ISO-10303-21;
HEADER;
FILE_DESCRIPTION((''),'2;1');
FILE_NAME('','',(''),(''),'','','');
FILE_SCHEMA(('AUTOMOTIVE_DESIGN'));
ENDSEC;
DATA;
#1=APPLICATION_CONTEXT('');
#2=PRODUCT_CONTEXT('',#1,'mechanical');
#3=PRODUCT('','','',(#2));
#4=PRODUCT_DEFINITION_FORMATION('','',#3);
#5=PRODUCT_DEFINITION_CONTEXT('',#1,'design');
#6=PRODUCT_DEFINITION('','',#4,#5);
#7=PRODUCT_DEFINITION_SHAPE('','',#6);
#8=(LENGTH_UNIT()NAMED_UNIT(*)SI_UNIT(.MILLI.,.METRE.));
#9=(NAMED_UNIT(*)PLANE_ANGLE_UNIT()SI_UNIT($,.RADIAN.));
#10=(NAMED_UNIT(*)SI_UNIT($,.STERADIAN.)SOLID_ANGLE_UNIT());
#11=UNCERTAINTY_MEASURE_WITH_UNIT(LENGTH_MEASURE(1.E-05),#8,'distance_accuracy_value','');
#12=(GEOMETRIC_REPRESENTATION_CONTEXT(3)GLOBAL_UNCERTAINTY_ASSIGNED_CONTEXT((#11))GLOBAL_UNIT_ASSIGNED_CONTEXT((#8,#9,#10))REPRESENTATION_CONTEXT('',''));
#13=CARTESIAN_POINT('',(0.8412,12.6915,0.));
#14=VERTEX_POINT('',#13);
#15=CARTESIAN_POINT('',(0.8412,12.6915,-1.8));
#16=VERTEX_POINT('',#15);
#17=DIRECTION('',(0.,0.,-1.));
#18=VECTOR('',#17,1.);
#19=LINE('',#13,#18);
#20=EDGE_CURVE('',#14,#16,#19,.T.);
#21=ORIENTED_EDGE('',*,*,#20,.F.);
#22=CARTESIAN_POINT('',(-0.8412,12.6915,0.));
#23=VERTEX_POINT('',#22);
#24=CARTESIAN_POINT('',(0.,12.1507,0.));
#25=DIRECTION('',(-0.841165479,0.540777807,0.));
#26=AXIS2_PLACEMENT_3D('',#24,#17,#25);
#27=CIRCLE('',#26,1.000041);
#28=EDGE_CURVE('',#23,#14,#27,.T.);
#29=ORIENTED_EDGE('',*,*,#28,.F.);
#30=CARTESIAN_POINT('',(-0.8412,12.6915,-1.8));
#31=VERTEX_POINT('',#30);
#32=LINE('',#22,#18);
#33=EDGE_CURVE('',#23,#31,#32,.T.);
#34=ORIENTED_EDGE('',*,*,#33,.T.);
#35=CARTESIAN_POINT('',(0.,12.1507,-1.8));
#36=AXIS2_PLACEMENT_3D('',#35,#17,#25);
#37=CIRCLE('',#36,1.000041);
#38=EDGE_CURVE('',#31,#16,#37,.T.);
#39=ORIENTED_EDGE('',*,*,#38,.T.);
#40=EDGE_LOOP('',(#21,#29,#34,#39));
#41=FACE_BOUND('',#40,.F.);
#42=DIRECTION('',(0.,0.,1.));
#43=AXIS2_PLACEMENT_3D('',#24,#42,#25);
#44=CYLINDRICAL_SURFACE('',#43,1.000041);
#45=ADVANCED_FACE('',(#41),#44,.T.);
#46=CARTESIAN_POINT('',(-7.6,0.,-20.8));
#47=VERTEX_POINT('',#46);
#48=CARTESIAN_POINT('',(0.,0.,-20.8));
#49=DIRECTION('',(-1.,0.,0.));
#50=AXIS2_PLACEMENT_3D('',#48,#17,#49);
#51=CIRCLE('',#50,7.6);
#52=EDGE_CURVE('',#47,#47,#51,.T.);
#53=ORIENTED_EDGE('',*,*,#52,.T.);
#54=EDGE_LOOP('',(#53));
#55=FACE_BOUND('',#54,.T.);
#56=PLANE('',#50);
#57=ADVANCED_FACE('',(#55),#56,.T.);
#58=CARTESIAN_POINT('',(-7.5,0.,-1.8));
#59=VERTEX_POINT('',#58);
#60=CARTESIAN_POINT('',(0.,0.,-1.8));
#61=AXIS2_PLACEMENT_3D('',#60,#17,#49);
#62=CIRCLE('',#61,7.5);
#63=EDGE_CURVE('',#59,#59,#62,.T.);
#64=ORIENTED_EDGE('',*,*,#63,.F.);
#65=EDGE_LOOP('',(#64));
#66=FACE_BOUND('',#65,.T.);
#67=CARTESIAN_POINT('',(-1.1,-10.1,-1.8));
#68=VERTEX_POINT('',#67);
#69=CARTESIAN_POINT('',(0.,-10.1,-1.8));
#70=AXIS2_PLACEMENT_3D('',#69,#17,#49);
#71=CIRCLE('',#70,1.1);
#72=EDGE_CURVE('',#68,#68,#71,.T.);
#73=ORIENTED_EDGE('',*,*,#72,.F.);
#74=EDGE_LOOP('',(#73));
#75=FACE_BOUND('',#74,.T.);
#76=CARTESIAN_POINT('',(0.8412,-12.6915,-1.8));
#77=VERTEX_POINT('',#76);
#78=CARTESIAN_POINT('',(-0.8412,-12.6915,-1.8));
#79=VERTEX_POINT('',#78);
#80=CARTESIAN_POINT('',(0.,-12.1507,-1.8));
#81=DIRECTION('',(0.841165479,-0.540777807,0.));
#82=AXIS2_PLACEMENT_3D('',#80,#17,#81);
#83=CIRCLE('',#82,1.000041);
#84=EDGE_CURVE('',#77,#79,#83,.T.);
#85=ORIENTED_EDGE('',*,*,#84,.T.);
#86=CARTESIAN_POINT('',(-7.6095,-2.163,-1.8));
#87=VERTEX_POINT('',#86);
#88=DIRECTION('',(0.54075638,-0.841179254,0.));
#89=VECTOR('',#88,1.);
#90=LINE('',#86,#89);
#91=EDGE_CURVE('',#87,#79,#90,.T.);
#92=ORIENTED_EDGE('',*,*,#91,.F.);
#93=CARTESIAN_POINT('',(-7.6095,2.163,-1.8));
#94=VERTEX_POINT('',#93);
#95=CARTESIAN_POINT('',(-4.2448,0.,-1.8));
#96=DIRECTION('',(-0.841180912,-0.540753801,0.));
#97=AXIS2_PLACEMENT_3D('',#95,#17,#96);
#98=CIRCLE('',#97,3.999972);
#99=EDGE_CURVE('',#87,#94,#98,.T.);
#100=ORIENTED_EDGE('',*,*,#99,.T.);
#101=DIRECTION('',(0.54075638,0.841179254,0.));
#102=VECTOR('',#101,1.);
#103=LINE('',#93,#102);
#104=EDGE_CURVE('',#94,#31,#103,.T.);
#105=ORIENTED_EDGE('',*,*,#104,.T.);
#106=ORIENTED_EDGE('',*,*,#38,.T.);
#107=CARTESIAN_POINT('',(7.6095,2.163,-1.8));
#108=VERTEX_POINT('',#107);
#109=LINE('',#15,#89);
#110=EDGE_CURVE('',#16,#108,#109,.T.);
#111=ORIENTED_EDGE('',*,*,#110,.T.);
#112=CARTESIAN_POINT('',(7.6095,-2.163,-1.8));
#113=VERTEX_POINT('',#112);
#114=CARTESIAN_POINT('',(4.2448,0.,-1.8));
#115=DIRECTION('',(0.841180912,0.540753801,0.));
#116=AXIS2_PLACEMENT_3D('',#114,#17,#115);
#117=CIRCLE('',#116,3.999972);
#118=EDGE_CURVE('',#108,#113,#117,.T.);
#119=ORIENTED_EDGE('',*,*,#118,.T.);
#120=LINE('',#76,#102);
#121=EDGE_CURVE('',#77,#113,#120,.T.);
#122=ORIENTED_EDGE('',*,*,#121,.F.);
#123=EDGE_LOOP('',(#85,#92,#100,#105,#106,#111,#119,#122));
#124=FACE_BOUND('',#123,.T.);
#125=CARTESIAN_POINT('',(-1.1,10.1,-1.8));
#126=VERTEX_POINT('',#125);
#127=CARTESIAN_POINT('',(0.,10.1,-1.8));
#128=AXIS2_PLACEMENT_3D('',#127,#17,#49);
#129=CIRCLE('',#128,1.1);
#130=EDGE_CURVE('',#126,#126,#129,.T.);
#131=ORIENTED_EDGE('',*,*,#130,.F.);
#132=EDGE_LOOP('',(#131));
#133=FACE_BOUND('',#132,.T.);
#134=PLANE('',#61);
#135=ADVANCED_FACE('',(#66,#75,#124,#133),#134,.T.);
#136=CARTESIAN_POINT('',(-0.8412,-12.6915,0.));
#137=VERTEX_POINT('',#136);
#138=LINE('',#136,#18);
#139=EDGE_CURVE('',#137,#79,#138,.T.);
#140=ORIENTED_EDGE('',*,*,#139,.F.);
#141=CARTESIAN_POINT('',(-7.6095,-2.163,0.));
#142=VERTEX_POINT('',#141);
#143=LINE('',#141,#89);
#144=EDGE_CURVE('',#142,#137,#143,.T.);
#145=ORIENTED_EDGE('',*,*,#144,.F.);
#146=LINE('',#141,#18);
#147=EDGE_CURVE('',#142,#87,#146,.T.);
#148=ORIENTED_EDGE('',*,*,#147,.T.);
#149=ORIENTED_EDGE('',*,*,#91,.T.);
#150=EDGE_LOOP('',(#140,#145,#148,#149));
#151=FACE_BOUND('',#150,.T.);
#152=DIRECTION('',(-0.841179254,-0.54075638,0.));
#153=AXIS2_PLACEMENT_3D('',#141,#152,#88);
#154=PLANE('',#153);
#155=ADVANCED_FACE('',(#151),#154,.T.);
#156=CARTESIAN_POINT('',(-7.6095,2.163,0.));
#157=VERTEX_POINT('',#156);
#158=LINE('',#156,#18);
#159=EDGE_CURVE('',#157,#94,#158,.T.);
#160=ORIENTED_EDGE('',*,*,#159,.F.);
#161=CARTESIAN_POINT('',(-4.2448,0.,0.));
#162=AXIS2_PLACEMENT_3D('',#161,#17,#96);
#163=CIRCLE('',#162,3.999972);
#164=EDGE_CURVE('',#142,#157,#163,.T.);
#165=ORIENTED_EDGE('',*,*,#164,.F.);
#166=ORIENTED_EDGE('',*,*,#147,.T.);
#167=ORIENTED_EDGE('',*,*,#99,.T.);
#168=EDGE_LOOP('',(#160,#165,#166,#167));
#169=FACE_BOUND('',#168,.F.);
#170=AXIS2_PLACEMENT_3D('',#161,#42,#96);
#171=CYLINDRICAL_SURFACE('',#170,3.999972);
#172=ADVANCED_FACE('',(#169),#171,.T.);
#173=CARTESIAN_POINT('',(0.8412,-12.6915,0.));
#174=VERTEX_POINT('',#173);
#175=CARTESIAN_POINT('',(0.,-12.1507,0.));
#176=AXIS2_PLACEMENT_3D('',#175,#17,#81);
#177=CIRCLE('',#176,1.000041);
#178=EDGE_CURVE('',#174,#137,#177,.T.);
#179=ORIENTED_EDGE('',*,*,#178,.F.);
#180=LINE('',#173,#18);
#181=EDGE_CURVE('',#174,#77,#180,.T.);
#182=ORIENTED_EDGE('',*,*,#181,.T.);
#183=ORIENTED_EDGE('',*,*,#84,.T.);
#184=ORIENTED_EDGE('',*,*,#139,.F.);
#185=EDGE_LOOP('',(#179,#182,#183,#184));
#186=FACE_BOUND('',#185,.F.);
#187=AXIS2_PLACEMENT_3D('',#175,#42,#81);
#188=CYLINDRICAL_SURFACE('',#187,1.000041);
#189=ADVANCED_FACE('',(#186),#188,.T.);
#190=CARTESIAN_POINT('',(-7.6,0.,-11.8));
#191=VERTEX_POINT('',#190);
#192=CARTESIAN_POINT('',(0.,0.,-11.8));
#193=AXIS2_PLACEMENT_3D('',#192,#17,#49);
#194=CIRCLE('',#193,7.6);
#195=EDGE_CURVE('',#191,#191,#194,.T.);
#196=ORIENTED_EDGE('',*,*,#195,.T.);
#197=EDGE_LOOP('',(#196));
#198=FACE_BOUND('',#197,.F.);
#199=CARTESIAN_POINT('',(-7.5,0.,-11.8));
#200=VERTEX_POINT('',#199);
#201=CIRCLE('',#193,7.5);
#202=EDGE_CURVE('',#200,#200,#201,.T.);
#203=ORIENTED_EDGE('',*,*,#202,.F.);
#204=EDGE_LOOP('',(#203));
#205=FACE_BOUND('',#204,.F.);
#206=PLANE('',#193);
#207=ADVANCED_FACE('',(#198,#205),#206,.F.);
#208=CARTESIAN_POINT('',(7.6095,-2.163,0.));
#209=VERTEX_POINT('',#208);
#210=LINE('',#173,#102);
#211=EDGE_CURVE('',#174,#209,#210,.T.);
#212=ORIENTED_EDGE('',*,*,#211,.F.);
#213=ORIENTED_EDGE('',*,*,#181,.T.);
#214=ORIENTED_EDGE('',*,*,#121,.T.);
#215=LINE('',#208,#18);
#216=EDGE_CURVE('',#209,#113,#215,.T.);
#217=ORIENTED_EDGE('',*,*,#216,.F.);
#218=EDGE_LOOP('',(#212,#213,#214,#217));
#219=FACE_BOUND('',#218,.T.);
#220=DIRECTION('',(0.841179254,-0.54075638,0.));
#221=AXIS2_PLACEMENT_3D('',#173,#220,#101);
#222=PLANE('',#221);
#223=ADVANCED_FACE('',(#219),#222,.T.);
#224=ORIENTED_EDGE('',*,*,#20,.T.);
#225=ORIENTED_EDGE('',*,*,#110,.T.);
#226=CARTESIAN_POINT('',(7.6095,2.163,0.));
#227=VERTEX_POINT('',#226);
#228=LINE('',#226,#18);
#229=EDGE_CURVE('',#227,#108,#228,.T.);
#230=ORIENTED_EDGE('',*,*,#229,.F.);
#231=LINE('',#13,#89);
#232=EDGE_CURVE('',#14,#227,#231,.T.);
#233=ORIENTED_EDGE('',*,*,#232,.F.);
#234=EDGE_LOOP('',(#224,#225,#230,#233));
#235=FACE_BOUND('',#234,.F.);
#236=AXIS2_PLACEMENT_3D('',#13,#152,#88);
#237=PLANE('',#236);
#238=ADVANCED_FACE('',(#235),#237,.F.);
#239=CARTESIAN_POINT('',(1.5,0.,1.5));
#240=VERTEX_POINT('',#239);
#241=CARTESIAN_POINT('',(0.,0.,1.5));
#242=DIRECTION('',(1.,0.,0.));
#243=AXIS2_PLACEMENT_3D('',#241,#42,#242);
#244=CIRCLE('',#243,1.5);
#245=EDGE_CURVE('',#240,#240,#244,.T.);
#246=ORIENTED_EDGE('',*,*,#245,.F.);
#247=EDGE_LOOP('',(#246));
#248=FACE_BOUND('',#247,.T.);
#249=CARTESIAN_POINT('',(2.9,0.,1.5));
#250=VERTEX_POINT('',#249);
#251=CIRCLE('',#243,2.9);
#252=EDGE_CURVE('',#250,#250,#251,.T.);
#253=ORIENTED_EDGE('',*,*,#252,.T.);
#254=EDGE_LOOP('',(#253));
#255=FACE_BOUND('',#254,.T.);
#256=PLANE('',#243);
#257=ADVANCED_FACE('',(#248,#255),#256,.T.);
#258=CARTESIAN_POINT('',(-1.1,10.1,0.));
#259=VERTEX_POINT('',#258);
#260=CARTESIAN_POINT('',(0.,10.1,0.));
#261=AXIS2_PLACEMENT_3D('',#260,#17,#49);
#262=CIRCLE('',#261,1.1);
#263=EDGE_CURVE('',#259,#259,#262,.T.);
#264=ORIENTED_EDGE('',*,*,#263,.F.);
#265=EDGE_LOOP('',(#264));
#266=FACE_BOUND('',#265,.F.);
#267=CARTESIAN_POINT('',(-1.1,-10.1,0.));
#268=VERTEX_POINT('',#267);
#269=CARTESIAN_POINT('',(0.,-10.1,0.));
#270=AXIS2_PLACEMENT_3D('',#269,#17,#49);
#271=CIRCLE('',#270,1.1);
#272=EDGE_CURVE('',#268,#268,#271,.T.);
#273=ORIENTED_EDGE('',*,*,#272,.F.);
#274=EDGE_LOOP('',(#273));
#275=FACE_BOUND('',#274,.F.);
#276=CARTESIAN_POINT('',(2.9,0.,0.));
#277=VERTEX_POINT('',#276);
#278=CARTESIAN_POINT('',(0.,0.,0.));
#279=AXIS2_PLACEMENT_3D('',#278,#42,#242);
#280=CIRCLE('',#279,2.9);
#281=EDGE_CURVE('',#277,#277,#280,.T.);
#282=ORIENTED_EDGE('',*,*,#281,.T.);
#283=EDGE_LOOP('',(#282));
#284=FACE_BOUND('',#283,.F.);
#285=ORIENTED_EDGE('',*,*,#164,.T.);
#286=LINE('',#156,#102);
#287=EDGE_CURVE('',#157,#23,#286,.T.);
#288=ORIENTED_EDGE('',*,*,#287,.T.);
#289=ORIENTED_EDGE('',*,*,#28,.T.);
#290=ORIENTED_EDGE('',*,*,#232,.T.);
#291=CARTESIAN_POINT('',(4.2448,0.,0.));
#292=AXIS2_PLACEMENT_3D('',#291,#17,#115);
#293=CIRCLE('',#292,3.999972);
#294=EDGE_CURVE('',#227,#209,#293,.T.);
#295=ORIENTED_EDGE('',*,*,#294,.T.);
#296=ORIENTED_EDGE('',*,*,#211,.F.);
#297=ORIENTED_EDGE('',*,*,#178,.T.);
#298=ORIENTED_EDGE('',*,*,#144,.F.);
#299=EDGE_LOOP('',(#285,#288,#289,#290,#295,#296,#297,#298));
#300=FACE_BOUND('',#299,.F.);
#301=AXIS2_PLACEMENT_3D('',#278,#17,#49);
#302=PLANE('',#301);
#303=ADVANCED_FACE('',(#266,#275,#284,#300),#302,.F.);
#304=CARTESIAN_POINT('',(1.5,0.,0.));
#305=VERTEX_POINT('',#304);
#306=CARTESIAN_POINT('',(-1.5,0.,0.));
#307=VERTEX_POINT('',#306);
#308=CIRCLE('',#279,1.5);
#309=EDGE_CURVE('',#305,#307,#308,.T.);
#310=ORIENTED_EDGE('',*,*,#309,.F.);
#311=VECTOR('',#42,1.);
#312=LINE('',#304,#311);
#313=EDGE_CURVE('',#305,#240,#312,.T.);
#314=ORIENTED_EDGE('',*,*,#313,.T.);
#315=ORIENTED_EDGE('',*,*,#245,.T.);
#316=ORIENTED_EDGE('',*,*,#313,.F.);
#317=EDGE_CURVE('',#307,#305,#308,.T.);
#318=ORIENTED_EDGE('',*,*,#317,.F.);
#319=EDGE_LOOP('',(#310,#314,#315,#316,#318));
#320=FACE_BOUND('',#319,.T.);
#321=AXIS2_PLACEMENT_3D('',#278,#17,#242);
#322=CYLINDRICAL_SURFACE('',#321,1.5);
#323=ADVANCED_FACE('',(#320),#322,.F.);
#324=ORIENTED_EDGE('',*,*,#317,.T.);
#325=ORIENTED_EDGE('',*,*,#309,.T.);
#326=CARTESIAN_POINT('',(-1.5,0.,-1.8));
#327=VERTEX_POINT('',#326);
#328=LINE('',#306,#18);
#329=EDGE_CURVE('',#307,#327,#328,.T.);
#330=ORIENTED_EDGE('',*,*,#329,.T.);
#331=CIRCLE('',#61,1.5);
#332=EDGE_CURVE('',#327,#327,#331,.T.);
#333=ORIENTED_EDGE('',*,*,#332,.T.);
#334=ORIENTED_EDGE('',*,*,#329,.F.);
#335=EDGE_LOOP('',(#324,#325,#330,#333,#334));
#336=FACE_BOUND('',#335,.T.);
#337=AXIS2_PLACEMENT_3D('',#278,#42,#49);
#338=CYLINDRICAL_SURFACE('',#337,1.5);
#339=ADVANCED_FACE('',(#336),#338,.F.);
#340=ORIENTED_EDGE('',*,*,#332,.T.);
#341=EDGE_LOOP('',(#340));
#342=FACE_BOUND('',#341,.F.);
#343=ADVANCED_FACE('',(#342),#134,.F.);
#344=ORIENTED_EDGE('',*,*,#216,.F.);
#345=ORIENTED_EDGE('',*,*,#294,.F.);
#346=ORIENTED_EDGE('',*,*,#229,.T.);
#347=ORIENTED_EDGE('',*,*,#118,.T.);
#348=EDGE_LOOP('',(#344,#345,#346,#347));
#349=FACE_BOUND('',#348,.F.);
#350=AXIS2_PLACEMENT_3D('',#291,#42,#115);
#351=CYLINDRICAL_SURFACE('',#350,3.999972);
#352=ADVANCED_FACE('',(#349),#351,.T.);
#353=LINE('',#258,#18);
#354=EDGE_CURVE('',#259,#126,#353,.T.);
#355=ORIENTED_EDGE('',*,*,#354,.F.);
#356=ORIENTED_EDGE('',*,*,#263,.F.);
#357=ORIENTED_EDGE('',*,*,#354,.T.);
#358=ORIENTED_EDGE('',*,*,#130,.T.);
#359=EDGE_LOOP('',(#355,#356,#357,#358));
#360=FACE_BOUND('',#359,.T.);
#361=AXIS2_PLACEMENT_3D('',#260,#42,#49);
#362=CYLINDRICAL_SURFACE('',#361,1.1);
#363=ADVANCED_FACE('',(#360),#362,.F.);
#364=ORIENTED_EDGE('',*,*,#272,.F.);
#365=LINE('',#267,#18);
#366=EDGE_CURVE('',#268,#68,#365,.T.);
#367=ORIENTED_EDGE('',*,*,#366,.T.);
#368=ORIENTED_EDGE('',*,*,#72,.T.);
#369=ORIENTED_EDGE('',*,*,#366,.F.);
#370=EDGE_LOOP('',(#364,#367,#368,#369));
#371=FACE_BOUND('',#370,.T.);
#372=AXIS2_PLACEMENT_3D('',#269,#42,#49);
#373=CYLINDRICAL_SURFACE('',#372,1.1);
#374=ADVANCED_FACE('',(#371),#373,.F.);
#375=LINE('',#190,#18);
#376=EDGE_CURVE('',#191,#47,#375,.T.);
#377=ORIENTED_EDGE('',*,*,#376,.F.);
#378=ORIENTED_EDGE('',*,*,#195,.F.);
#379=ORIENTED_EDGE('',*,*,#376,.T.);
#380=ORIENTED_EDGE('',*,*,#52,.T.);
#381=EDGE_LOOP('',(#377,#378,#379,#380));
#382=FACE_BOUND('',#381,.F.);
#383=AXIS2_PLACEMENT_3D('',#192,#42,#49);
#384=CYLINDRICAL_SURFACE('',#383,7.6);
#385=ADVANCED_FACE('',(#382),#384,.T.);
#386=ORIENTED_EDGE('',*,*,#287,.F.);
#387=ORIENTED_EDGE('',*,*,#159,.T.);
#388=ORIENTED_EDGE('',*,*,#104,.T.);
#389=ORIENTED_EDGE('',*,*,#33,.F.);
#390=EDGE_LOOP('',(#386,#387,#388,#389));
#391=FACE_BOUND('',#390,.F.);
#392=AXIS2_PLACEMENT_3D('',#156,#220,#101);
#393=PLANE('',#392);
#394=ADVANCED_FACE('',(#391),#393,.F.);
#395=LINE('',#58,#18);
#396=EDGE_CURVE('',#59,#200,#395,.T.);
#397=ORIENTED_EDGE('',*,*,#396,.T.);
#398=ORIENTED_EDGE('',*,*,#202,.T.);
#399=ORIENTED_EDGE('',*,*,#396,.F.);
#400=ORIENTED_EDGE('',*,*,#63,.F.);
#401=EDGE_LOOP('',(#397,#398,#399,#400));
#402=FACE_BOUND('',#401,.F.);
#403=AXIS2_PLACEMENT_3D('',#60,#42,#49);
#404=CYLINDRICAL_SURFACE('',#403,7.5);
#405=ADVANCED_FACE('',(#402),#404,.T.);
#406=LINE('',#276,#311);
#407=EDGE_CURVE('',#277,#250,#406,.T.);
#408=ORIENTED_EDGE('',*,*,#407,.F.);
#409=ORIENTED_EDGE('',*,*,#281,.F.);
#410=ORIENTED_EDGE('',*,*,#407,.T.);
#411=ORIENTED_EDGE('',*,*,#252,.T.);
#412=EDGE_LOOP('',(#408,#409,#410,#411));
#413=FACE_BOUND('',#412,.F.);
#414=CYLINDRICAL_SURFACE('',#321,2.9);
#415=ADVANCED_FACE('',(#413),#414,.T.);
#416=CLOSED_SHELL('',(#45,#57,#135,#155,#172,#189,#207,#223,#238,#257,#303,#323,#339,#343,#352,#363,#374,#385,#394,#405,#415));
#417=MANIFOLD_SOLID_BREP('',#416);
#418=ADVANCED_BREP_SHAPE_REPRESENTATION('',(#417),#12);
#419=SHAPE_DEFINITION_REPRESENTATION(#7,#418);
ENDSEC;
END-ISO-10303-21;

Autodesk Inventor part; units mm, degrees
ref_plane "YZ Plane" through (0, 0, 0) normal (1, 0, 0) x (0, 1, 0)
ref_plane "XZ Plane" through (0, 0, 0) normal (0, 1, 0) x (-1, 0, 0)
ref_plane "XY Plane" through (0, 0, 0) normal (0, 0, 1) x (1, 0, 0)
sketch "스케치1" plane through (0, 0, 0) normal (0, 0, 1) x (1, 0, 0)
  circle A0 centre (0, 0) radius 1.5
  circle A1 centre (0, 0) radius 2.9
  dimension "d0" = 3
  dimension "d1" = 5.8
extrude "돌출1" add sketch "스케치1" along normal blind 1.5
sketch "스케치2" plane through (0, 0, 0) normal (0, 0, -1) x (-1, 0, 0)
  line L0 (7.6095, 2.163) -> (0.8412, 12.6915)
  line L1 (-0.8412, 12.6915) -> (-7.6095, 2.163)
  line L2 (7.6095, -2.163) -> (0.8412, -12.6915)
  line L3 (-0.8412, -12.6915) -> (-7.6095, -2.163)
  circle A0 centre (0, 10.1) radius 1.1
  circle A1 centre (0, -10.1) radius 1.1
  arc A2 (0.8412, 12.6915) -> (-0.8412, 12.6915) centre (0, 12.1507) ccw
  arc A3 (-0.8412, -12.6915) -> (0.8412, -12.6915) centre (0, -12.1507) ccw
  arc A4 (7.6095, -2.163) -> (7.6095, 2.163) centre (4.2448, 0) ccw
  arc A5 (-7.6095, 2.163) -> (-7.6095, -2.163) centre (-4.2448, 0) ccw
  circle A6 centre (0, 0) radius 1.5 projected
  dimension "d8" = 2.2
  dimension "d9" = 2.2
  dimension "d10" = 10.1
  dimension "d11" = 10.1
  dimension "d12" = 1
  dimension "d13" = 4
extrude "돌출2" add sketch "스케치2" along normal blind 1.8
sketch "스케치3" plane through (0, 0, -1.8) normal (0, 0, -1) x (-1, 0, 0)
  circle A0 centre (0, 0) radius 1.5 projected
  circle A1 centre (0, -10.1) radius 1.1 projected
  circle A2 centre (0, 10.1) radius 1.1 projected
  line L0 (-0.8412, 12.6915) -> (-7.6095, 2.163) projected
  arc A3 (-7.6095, 2.163) -> (-7.6095, -2.163) centre (-4.2448, 0) ccw projected
  line L1 (-7.6095, -2.163) -> (-0.8412, -12.6915) projected
  arc A4 (-0.8412, -12.6915) -> (0.8412, -12.6915) centre (0, -12.1507) ccw projected
  line L2 (0.8412, -12.6915) -> (7.6095, -2.163) projected
  arc A5 (7.6095, -2.163) -> (7.6095, 2.163) centre (4.2448, 0) ccw projected
  line L3 (7.6095, 2.163) -> (0.8412, 12.6915) projected
  arc A6 (0.8412, 12.6915) -> (-0.8412, 12.6915) centre (0, 12.1507) ccw projected
  circle A7 centre (0, 0) radius 1.5 projected
  circle A8 centre (0, 0) radius 7.5
  dimension "d16" = 15
extrude "돌출3" add sketch "스케치3" along normal blind 10 contours A0 | A8
sketch "스케치4" plane through (0, 0, -11.8) normal (0, 0, -1) x (-1, 0, 0)
  circle A0 centre (0, 0) radius 7.5 projected
  circle A1 centre (0, 0) radius 7.6
  dimension "d19" = 0.1
extrude "돌출4" add sketch "스케치4" along normal blind 9 contours A0 | A1
properties part number "GM15BY_StepMotor"
